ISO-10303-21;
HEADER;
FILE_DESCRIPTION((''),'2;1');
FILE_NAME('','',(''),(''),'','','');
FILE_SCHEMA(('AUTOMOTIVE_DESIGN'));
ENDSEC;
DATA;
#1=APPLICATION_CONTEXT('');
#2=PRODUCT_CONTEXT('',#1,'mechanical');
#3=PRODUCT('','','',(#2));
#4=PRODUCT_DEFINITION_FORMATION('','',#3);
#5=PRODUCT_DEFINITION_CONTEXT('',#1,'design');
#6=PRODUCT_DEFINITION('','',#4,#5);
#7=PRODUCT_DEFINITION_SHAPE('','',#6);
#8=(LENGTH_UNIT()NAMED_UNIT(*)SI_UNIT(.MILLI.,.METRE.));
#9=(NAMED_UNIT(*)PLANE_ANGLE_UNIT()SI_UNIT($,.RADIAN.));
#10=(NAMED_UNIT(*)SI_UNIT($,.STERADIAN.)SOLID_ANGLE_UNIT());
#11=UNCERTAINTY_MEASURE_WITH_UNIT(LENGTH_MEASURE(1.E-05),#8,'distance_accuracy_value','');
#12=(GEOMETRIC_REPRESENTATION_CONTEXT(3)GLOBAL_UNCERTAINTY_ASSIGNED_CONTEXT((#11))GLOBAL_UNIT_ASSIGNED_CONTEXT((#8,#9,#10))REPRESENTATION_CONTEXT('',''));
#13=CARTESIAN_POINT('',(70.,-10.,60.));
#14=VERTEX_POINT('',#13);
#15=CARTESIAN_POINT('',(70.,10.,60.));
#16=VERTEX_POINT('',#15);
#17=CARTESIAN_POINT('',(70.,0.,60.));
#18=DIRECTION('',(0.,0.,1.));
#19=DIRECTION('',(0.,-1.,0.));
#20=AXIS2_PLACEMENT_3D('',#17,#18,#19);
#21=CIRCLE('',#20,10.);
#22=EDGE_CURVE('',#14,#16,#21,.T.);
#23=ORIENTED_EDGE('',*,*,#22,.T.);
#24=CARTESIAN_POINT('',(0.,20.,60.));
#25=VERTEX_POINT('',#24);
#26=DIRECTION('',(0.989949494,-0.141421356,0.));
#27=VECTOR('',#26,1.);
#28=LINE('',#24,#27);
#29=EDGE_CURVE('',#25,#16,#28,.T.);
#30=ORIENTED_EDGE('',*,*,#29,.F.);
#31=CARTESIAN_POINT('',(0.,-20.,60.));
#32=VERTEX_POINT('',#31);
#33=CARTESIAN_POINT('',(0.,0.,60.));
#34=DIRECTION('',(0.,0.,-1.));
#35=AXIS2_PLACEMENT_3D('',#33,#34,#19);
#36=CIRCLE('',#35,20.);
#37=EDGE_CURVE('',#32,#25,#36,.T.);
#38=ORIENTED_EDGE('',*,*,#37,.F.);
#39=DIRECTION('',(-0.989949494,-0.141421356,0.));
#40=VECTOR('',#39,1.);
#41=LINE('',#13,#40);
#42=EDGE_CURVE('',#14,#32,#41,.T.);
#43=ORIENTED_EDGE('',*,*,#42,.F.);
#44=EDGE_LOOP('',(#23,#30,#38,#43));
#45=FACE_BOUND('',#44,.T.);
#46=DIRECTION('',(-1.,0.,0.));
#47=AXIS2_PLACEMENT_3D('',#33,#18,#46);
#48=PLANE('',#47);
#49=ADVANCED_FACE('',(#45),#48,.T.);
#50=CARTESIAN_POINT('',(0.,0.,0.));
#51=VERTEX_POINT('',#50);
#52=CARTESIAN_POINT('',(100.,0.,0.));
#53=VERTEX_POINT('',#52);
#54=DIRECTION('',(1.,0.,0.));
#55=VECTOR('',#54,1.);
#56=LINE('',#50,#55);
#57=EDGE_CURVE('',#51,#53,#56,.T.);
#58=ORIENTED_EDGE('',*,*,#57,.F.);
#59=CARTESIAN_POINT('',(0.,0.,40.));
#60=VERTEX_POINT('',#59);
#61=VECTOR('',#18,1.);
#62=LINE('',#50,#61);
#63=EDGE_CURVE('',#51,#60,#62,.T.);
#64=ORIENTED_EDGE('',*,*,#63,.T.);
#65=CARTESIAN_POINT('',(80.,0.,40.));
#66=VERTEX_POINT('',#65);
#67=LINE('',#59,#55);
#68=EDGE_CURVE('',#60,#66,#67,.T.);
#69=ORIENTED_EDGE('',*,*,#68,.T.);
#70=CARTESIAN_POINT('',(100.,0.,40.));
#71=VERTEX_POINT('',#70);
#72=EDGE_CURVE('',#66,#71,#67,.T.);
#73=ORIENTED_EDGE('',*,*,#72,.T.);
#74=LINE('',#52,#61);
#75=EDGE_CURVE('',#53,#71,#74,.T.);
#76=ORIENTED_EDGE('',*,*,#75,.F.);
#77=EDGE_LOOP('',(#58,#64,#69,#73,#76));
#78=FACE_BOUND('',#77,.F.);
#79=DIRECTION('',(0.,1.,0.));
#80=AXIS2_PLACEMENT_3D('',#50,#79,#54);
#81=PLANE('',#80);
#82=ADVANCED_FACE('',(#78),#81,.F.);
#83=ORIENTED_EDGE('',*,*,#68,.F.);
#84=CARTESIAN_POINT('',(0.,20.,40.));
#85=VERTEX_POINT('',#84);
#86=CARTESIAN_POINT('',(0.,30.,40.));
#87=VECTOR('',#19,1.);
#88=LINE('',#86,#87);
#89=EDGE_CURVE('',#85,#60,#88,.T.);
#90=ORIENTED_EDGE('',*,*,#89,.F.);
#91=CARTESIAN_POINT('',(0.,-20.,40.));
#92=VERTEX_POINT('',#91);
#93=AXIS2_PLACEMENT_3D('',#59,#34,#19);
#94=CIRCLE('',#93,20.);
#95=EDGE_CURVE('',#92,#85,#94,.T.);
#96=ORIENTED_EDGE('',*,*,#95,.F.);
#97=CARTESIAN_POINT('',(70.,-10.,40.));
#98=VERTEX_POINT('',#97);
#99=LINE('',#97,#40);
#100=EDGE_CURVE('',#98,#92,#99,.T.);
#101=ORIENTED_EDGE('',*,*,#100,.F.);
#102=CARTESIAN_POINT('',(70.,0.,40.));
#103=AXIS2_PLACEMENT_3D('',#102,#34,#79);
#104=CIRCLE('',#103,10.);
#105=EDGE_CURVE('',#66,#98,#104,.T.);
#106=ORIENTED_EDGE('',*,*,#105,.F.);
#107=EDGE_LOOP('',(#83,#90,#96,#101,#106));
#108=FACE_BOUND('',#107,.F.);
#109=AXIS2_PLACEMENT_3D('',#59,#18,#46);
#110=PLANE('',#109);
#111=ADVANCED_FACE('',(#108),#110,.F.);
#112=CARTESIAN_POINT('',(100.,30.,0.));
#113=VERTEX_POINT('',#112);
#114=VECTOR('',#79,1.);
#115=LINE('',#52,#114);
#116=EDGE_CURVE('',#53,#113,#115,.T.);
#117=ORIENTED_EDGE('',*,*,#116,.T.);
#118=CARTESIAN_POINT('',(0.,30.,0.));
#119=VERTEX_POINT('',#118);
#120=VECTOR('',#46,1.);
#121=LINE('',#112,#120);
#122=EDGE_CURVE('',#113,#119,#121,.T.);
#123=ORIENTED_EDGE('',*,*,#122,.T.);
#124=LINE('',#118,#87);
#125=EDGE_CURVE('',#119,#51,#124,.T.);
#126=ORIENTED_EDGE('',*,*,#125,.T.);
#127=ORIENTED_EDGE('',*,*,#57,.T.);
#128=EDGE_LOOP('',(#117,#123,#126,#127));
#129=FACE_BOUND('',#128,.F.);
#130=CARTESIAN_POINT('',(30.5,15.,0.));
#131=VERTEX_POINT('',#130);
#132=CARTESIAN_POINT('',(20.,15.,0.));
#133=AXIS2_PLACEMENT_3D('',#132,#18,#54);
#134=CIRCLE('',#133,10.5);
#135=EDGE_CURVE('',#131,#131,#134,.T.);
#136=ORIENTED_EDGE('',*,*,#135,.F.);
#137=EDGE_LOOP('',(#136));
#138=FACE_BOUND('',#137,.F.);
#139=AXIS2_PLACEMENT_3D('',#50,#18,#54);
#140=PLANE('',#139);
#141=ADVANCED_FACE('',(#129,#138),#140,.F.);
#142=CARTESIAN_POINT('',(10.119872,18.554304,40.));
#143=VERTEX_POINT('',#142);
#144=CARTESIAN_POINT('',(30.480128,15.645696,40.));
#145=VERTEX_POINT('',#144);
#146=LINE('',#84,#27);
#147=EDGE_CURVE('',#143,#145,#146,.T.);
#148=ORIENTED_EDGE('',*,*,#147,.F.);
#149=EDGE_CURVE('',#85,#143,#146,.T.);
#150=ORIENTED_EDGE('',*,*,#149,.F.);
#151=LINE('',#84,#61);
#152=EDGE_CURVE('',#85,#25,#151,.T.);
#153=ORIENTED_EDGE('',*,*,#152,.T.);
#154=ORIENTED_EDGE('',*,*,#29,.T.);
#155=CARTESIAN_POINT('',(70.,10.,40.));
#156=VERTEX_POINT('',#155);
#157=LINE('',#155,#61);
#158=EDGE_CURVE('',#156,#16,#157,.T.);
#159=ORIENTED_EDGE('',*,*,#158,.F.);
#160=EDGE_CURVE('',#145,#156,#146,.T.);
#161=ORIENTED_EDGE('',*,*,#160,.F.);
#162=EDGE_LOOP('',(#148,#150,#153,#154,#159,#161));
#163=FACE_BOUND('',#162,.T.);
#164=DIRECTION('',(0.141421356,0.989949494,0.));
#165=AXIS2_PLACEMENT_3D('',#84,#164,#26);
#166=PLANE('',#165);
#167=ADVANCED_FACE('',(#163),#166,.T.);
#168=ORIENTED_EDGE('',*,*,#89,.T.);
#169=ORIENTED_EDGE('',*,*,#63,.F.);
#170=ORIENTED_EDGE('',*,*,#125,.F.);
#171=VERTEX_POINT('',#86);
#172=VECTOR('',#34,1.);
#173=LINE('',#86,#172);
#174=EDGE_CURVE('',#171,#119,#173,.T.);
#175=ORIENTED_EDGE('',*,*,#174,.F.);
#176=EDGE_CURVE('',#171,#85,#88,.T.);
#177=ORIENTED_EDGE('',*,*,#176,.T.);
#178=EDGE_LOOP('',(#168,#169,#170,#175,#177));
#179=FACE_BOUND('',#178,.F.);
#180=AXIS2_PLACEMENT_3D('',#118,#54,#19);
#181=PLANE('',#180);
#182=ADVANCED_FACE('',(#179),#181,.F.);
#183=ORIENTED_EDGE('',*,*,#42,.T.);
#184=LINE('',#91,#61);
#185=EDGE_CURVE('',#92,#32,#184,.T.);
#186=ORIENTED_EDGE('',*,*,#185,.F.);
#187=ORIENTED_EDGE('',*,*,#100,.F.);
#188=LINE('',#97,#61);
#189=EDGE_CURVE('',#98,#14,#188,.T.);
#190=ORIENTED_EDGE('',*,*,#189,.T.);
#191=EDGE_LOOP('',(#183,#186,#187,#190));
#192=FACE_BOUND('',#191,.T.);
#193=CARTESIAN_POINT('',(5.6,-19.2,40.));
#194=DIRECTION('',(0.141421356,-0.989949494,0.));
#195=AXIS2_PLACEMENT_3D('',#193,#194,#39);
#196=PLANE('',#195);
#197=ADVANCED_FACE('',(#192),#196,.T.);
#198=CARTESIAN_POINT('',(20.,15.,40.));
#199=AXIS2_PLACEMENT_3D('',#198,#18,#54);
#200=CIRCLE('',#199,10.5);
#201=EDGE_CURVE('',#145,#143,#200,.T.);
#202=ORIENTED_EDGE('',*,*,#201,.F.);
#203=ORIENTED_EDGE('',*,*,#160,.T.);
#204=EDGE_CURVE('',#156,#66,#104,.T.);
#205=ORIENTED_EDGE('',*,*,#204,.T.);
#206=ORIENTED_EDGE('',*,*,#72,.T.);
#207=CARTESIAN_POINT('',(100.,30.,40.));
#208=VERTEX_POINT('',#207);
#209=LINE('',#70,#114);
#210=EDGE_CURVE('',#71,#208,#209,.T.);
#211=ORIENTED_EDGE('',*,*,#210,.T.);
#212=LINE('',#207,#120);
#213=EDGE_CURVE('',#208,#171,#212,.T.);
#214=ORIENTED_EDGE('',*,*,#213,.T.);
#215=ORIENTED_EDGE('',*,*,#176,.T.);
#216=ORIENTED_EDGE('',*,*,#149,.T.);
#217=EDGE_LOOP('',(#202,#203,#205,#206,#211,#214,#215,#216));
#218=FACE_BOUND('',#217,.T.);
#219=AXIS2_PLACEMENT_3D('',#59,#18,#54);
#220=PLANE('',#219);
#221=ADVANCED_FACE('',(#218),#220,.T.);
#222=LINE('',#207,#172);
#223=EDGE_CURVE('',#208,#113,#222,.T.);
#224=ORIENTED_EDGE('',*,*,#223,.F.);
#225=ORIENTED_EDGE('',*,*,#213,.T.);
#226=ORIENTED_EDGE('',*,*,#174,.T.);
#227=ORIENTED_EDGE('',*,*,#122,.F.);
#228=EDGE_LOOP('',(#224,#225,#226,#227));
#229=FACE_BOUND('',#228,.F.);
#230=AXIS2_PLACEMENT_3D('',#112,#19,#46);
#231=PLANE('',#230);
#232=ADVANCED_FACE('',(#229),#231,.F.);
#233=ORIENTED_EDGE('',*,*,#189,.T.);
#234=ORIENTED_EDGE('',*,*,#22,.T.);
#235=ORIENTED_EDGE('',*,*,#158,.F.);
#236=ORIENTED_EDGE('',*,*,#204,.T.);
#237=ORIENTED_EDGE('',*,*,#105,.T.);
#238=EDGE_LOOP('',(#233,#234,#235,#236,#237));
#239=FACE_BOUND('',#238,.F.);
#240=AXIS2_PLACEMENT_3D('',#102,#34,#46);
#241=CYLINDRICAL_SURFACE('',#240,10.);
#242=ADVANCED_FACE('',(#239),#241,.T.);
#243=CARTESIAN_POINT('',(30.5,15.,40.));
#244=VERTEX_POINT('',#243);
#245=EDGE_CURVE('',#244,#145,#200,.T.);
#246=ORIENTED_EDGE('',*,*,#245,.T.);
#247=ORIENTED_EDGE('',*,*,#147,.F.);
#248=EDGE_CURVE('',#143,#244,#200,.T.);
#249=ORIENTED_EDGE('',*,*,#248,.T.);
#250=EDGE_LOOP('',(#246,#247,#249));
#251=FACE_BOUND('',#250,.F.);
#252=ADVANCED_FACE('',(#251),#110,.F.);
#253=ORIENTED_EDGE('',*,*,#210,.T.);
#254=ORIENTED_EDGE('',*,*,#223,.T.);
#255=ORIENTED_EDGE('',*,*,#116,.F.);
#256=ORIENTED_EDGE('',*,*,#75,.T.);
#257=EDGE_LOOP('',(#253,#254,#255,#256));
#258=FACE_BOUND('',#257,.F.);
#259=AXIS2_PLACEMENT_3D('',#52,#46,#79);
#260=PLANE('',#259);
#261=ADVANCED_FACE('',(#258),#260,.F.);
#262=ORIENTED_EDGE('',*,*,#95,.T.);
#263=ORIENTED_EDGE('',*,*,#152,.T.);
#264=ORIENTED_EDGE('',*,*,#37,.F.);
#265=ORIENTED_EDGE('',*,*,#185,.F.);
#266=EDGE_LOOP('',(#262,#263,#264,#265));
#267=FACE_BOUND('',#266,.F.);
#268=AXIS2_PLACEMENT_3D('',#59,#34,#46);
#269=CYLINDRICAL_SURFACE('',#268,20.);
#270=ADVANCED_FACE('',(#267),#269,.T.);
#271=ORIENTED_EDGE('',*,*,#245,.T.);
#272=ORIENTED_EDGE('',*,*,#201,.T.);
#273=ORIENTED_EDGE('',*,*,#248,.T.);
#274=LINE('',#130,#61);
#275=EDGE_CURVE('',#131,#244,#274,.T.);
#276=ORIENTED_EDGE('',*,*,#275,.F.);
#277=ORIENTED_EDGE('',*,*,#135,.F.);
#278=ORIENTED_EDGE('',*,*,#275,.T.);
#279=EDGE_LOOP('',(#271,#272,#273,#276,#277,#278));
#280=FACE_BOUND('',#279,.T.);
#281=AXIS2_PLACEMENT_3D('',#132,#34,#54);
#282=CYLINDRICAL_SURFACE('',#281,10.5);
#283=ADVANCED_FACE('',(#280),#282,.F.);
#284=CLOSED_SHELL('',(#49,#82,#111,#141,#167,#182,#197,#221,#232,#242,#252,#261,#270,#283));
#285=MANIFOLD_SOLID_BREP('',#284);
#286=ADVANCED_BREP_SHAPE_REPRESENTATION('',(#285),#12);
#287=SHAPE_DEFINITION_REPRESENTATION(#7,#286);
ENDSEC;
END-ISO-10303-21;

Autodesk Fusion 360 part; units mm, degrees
sketch "Boceto1" plane through (0, 0, 0) normal (0, 0, 1) x (1, 0, 0)
  circle A0 centre (0, 0) radius 10.5
  dimension "d1" = 21
extrude "Extruir1" add sketch "Boceto1" along normal blind 40
sketch "Boceto2" plane through (0, 0, 40) normal (0, 0, 1) x (-1, 0, 0)
  circle A0 centre (0, 0) radius 10.5
  circle A1 centre (0, 0) radius 20
  line L0 (20, 0) -> (-80, 0)
  circle A2 centre (-70, 0) radius 10
  line L1 (0, -20) -> (-70, -10)
  line L2 (-70, 10) -> (0, 20)
  dimension "d4" = 40
  dimension "d5" = 100
extrude "Extruir2" add sketch "Boceto2" along normal blind 20 contours A0 L0 | A0 A1 L0 L1 | A0 A1 L0 L2 | A0 L0 | A1 L0 A2 L2 | A1 L0 A2 L1 | L0 A2 | L0 A2

Autodesk Fusion 360 part; units mm, degrees
sketch "Boceto1" plane through (0, 0, 0) normal (0, 0, 1) x (1, 0, 0)
  line L0 (0, 0) -> (100, 0)
  line L1 (100, 0) -> (100, 30)
  line L2 (100, 30) -> (0, 30)
  line L3 (0, 30) -> (0, 0)
  circle A0 centre (20, 15) radius 10.5
  dimension "d1" = 100
  dimension "d2" = 30
  dimension "d3" = 21
extrude "Extruir1" add sketch "Boceto1" along normal blind 20
